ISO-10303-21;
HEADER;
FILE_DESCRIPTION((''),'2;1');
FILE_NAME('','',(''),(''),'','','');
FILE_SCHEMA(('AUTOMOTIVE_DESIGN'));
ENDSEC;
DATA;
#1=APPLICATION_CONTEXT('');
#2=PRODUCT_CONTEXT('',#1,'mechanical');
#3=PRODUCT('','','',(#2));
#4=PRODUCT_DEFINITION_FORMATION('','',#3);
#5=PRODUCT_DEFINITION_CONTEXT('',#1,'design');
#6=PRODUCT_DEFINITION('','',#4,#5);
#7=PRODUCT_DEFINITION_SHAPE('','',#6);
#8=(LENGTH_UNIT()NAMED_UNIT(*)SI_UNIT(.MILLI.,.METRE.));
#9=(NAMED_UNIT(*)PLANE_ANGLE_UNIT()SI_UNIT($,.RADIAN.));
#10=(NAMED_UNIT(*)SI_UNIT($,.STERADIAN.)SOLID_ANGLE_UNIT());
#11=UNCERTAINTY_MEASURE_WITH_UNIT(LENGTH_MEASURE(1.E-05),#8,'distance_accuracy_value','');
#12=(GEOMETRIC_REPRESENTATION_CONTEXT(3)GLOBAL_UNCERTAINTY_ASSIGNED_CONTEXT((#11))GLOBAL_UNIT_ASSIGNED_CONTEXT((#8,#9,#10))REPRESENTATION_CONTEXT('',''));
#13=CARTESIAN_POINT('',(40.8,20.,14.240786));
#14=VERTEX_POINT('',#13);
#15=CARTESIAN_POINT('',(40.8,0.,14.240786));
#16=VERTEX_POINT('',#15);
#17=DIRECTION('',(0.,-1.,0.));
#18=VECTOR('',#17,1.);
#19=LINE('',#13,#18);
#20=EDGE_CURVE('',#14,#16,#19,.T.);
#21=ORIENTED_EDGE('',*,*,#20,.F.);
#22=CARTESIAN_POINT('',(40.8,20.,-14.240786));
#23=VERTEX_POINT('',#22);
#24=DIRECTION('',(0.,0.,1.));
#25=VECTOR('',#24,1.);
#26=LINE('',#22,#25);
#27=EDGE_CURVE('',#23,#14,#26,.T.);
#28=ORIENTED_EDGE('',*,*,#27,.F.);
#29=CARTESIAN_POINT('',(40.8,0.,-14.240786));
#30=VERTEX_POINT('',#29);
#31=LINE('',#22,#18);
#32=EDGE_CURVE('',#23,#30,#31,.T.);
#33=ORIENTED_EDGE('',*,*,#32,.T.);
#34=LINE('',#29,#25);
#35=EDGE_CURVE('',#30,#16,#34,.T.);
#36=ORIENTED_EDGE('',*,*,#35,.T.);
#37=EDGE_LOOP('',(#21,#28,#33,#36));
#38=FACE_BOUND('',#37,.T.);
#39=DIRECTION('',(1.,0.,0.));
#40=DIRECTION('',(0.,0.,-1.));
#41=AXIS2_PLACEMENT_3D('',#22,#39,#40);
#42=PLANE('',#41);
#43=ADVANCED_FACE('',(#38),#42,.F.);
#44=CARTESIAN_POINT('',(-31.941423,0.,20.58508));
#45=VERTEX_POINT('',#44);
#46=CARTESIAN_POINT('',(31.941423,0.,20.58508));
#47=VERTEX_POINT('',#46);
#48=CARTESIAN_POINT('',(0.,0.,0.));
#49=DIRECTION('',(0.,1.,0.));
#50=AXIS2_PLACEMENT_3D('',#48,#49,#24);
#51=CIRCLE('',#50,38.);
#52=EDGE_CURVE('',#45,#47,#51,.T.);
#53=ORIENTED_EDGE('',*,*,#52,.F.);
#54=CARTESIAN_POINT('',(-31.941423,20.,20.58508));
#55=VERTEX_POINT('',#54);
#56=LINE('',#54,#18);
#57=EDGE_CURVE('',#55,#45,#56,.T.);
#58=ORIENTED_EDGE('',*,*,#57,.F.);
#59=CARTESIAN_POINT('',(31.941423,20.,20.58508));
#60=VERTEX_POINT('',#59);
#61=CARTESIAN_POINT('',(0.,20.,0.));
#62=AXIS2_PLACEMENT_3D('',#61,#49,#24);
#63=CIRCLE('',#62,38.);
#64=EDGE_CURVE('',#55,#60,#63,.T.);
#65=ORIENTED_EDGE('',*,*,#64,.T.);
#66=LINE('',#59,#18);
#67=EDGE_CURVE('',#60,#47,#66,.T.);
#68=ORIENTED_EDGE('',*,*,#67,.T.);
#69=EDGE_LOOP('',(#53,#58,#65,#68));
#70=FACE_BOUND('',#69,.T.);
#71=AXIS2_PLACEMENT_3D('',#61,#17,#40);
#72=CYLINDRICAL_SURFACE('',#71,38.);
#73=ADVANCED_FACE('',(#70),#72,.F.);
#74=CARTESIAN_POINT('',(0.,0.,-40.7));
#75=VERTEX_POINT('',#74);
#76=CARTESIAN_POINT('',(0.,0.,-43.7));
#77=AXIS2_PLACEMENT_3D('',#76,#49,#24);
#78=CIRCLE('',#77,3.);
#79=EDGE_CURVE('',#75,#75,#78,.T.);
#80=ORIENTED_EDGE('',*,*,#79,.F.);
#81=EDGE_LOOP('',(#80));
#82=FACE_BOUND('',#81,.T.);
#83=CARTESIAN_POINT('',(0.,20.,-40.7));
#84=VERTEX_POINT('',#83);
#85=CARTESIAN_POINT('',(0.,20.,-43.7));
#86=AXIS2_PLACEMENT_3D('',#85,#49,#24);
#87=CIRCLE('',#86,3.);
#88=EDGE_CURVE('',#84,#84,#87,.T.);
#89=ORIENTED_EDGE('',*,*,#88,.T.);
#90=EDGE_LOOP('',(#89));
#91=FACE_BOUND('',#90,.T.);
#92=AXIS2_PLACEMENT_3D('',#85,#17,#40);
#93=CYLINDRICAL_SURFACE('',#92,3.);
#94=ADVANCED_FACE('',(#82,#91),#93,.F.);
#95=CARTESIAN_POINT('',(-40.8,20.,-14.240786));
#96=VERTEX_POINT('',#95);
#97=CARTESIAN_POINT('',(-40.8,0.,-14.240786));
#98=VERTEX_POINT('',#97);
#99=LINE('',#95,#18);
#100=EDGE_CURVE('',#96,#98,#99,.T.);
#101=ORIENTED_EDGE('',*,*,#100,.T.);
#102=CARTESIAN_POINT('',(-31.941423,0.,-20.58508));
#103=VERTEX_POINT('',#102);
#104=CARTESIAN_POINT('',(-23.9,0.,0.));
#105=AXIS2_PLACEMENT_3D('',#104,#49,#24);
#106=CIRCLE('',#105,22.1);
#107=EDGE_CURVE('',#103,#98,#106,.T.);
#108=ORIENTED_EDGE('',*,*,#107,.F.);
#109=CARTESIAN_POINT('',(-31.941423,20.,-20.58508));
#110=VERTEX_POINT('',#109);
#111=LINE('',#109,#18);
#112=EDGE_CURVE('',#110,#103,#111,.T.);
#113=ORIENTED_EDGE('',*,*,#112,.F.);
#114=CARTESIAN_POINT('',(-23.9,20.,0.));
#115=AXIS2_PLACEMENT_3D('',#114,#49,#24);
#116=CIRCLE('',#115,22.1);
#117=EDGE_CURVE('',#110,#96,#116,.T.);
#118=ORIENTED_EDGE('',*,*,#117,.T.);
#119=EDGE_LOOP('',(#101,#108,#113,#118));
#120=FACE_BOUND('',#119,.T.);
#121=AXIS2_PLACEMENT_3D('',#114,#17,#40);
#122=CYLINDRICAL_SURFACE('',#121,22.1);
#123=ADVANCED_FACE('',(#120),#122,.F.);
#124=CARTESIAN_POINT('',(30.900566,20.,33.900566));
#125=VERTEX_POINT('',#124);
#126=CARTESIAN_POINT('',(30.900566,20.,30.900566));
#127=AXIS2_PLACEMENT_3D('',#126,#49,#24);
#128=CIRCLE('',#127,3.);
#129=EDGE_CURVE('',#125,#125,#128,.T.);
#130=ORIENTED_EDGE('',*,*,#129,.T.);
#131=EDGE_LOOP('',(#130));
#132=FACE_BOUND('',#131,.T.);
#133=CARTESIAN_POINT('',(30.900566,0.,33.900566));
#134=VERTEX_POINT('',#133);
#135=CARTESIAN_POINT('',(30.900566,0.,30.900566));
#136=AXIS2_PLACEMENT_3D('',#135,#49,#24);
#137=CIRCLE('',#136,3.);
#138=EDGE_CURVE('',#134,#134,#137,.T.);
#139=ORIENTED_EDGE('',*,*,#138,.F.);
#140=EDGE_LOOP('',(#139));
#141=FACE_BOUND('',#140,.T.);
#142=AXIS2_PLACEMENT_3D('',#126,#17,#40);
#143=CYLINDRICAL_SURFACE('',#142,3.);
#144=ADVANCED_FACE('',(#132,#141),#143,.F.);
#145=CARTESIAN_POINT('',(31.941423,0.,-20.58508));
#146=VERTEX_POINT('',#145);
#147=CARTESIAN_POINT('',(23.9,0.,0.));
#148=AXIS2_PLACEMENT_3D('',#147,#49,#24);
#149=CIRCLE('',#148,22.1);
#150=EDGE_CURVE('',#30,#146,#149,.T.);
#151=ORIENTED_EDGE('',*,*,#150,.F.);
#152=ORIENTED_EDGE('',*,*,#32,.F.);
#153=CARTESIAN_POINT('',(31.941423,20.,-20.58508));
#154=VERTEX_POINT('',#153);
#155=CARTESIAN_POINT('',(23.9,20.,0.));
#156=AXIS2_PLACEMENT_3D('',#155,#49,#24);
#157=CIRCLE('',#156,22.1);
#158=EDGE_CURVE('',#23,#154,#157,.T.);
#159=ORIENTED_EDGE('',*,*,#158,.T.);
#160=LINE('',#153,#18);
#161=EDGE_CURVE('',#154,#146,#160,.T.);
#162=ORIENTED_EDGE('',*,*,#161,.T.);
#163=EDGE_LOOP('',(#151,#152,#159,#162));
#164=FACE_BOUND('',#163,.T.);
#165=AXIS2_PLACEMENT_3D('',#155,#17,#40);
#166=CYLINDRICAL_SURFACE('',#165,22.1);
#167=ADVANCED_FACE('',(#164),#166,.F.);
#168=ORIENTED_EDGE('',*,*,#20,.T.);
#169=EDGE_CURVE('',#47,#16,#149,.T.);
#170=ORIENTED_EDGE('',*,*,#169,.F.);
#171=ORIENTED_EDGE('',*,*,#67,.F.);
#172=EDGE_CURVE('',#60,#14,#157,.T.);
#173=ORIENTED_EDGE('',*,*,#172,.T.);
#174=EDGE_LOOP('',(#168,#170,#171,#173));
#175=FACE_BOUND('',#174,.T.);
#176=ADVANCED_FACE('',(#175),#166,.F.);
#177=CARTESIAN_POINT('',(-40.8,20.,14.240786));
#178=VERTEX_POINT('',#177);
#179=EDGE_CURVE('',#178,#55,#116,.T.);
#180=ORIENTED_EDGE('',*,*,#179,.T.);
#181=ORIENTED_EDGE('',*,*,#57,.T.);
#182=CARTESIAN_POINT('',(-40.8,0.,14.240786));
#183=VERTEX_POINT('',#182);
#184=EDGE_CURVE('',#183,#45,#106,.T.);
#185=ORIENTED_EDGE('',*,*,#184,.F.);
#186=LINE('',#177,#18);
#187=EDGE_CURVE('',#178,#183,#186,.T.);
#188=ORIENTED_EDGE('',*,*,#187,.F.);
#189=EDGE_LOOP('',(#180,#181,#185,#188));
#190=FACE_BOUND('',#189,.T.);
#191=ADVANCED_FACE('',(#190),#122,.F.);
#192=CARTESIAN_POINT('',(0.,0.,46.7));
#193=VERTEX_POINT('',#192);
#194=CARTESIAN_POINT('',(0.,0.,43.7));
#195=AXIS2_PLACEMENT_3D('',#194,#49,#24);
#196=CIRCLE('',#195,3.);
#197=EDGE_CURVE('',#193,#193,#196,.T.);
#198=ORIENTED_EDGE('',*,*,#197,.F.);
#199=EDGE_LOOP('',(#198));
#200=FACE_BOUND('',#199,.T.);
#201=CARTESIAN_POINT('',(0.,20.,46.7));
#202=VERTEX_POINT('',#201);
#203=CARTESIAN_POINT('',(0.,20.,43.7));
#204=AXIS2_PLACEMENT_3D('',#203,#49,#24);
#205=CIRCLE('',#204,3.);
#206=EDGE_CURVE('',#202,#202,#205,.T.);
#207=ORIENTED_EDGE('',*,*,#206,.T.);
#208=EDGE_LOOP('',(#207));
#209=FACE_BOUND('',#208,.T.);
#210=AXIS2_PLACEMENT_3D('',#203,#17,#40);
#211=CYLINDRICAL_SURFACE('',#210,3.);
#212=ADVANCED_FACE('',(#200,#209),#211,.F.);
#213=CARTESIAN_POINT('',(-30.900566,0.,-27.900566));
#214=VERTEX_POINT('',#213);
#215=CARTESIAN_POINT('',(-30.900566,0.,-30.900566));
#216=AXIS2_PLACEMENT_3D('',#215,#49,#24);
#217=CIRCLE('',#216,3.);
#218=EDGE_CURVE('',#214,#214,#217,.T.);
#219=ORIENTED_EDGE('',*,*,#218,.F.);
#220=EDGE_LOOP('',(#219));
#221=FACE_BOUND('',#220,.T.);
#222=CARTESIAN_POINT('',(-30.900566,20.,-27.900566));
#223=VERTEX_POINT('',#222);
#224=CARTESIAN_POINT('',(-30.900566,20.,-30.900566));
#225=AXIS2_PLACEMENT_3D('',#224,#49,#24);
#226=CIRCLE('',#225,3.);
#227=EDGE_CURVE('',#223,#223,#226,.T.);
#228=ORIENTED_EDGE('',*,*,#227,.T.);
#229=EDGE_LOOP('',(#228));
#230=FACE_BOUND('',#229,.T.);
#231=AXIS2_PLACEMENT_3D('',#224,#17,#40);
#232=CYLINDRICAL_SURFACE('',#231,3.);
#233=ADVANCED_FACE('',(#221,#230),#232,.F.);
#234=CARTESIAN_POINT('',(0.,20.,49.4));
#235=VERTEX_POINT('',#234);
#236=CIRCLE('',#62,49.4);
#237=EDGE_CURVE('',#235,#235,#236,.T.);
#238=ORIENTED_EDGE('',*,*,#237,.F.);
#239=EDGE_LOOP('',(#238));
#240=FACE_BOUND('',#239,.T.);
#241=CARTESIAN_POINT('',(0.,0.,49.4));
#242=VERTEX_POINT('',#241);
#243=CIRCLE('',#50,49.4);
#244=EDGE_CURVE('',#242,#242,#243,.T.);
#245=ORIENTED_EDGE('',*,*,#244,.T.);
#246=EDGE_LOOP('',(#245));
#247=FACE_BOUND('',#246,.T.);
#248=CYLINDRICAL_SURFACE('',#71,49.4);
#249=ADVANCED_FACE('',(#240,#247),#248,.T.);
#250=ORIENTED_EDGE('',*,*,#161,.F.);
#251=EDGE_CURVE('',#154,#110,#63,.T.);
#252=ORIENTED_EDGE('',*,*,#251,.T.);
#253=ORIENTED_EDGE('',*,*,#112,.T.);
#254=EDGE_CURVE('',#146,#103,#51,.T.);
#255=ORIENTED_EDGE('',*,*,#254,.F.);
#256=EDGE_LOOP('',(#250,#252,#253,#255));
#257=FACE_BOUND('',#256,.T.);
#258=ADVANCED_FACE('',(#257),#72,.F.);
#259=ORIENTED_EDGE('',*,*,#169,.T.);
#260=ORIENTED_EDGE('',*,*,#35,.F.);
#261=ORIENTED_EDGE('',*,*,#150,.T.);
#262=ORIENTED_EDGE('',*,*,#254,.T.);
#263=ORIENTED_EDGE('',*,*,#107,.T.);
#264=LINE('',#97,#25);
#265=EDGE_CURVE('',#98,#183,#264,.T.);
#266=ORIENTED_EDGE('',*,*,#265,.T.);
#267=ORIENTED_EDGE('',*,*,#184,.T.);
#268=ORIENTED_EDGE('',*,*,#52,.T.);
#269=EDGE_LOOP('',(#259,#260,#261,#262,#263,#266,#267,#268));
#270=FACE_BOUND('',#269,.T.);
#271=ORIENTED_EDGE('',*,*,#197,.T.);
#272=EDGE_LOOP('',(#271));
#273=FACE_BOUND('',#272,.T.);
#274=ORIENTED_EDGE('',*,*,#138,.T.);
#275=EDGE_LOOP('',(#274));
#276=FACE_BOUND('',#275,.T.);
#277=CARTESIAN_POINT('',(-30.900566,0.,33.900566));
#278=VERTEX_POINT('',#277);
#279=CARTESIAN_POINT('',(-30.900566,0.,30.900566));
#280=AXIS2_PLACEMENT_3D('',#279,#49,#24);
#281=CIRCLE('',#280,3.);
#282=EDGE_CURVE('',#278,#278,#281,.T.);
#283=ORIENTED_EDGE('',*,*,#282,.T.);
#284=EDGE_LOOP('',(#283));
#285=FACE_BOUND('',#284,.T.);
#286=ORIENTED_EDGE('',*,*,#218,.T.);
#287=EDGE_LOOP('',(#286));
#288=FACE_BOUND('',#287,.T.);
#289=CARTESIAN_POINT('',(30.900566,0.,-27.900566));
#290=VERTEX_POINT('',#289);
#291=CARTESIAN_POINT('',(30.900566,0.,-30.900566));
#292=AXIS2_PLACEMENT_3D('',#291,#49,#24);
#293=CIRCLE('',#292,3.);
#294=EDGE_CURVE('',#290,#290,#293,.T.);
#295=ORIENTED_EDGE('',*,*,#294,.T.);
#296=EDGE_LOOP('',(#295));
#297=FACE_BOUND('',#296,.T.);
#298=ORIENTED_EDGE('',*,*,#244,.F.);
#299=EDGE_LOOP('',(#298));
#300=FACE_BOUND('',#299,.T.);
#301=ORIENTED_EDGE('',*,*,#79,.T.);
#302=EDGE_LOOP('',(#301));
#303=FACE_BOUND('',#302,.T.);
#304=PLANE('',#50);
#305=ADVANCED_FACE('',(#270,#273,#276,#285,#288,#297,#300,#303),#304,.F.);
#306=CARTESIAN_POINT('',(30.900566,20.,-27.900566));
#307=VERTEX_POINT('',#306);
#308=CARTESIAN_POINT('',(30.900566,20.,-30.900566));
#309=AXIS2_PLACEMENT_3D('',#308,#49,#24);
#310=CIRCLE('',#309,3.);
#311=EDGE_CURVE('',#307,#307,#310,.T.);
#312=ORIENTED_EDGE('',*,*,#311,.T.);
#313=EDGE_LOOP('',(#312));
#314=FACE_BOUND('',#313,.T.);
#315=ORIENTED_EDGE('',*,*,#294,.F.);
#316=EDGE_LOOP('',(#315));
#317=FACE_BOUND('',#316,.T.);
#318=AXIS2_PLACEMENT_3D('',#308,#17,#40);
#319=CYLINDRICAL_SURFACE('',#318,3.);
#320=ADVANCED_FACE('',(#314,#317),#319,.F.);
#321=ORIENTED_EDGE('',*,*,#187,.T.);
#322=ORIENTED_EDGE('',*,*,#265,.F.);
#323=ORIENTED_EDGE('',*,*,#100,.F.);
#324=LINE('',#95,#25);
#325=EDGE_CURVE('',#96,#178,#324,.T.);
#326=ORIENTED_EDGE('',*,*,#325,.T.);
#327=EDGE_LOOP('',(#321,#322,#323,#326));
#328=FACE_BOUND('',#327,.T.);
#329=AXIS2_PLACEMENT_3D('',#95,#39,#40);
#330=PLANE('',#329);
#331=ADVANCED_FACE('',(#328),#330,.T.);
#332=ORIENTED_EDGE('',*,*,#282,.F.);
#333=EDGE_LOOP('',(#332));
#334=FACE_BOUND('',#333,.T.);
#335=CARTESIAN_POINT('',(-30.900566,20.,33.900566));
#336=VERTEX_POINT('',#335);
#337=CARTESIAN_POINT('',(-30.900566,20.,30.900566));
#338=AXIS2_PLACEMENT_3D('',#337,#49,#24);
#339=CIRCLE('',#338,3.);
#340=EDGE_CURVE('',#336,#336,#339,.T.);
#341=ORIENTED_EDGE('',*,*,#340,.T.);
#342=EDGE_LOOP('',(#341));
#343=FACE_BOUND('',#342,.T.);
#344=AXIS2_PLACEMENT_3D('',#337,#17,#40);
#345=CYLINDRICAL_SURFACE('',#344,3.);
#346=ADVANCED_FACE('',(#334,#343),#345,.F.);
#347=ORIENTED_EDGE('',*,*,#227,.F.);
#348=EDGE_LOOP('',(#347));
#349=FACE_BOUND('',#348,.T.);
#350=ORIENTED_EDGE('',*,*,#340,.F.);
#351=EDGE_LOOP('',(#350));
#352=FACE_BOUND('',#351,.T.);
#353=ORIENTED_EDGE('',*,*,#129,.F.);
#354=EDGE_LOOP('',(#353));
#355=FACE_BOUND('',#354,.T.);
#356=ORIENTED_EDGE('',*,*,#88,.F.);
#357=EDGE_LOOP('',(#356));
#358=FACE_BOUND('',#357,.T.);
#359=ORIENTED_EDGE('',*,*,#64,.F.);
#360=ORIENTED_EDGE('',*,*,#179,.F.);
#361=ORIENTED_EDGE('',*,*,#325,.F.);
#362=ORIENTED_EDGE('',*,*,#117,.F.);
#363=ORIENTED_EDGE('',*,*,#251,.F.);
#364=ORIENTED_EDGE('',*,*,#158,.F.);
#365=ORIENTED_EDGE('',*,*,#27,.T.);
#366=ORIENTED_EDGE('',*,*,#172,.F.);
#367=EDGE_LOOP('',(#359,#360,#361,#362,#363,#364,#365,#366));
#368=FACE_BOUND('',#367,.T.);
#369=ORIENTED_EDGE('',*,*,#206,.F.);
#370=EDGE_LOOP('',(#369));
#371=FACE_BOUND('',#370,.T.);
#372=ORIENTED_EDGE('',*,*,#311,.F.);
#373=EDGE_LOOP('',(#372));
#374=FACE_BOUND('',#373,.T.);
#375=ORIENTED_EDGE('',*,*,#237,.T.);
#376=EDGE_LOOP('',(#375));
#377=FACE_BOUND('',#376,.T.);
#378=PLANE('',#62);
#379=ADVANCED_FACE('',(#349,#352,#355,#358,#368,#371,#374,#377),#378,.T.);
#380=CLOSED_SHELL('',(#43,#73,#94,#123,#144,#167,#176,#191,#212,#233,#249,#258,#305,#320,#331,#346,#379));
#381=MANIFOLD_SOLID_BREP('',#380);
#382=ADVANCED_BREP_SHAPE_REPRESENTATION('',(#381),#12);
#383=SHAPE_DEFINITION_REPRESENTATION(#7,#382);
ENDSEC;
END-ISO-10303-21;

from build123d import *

# Parameters (mm, degrees)
SKETCH2_R           = 49.4
BOSS_EXTRUDE1_DEPTH = 20
SKETCH2_9_R         = 3
CUT_EXTRUDE1_DEPTH  = 20


with BuildPart() as part:
    # Sketch2 → Boss-Extrude1 (new body)
    with BuildSketch(Plane(origin=(0, 0, 0), x_dir=(1, 0, 0), z_dir=(0, 1, 0))):
        Circle(SKETCH2_R)
        with BuildLine():
            Line((-40.8, 14.240786495), (-40.8, -14.240786495))
            ThreePointArc((-40.8, -14.240786495), (-36.767834145, -17.967438449), (-31.941422594, -20.585080099))
            ThreePointArc((-31.941422594, -20.585080099), (0, -38), (31.941422594, -20.585080099))
            ThreePointArc((31.941422594, -20.585080099), (36.767834145, -17.967438449), (40.8, -14.240786495))
            Line((40.8, -14.240786495), (40.8, 14.240786495))
            ThreePointArc((40.8, 14.240786495), (36.767834145, 17.967438449), (31.941422594, 20.585080099))
            ThreePointArc((31.941422594, 20.585080099), (0, 38), (-31.941422594, 20.585080099))
            ThreePointArc((-31.941422594, 20.585080099), (-36.767834145, 17.967438449), (-40.8, 14.240786495))
        make_face(mode=Mode.SUBTRACT)
    extrude(amount=BOSS_EXTRUDE1_DEPTH)

    # Sketch2<9> → Cut-Extrude1 (cut)
    with BuildSketch(Plane(origin=(0, 0, 0), x_dir=(1, 0, 0), z_dir=(0, 1, 0))):
        with Locations((0, 43.7)):
            Circle(SKETCH2_9_R)
        with Locations((30.900566338, 30.900566338)):
            Circle(SKETCH2_9_R)
        with Locations((30.900566338, -30.900566338)):
            Circle(SKETCH2_9_R)
        with Locations((0, -43.7)):
            Circle(SKETCH2_9_R)
        with Locations((-30.900566338, -30.900566338)):
            Circle(SKETCH2_9_R)
        with Locations((-30.900566338, 30.900566338)):
            Circle(SKETCH2_9_R)
    extrude(amount=CUT_EXTRUDE1_DEPTH, mode=Mode.SUBTRACT)


solid = part.part
